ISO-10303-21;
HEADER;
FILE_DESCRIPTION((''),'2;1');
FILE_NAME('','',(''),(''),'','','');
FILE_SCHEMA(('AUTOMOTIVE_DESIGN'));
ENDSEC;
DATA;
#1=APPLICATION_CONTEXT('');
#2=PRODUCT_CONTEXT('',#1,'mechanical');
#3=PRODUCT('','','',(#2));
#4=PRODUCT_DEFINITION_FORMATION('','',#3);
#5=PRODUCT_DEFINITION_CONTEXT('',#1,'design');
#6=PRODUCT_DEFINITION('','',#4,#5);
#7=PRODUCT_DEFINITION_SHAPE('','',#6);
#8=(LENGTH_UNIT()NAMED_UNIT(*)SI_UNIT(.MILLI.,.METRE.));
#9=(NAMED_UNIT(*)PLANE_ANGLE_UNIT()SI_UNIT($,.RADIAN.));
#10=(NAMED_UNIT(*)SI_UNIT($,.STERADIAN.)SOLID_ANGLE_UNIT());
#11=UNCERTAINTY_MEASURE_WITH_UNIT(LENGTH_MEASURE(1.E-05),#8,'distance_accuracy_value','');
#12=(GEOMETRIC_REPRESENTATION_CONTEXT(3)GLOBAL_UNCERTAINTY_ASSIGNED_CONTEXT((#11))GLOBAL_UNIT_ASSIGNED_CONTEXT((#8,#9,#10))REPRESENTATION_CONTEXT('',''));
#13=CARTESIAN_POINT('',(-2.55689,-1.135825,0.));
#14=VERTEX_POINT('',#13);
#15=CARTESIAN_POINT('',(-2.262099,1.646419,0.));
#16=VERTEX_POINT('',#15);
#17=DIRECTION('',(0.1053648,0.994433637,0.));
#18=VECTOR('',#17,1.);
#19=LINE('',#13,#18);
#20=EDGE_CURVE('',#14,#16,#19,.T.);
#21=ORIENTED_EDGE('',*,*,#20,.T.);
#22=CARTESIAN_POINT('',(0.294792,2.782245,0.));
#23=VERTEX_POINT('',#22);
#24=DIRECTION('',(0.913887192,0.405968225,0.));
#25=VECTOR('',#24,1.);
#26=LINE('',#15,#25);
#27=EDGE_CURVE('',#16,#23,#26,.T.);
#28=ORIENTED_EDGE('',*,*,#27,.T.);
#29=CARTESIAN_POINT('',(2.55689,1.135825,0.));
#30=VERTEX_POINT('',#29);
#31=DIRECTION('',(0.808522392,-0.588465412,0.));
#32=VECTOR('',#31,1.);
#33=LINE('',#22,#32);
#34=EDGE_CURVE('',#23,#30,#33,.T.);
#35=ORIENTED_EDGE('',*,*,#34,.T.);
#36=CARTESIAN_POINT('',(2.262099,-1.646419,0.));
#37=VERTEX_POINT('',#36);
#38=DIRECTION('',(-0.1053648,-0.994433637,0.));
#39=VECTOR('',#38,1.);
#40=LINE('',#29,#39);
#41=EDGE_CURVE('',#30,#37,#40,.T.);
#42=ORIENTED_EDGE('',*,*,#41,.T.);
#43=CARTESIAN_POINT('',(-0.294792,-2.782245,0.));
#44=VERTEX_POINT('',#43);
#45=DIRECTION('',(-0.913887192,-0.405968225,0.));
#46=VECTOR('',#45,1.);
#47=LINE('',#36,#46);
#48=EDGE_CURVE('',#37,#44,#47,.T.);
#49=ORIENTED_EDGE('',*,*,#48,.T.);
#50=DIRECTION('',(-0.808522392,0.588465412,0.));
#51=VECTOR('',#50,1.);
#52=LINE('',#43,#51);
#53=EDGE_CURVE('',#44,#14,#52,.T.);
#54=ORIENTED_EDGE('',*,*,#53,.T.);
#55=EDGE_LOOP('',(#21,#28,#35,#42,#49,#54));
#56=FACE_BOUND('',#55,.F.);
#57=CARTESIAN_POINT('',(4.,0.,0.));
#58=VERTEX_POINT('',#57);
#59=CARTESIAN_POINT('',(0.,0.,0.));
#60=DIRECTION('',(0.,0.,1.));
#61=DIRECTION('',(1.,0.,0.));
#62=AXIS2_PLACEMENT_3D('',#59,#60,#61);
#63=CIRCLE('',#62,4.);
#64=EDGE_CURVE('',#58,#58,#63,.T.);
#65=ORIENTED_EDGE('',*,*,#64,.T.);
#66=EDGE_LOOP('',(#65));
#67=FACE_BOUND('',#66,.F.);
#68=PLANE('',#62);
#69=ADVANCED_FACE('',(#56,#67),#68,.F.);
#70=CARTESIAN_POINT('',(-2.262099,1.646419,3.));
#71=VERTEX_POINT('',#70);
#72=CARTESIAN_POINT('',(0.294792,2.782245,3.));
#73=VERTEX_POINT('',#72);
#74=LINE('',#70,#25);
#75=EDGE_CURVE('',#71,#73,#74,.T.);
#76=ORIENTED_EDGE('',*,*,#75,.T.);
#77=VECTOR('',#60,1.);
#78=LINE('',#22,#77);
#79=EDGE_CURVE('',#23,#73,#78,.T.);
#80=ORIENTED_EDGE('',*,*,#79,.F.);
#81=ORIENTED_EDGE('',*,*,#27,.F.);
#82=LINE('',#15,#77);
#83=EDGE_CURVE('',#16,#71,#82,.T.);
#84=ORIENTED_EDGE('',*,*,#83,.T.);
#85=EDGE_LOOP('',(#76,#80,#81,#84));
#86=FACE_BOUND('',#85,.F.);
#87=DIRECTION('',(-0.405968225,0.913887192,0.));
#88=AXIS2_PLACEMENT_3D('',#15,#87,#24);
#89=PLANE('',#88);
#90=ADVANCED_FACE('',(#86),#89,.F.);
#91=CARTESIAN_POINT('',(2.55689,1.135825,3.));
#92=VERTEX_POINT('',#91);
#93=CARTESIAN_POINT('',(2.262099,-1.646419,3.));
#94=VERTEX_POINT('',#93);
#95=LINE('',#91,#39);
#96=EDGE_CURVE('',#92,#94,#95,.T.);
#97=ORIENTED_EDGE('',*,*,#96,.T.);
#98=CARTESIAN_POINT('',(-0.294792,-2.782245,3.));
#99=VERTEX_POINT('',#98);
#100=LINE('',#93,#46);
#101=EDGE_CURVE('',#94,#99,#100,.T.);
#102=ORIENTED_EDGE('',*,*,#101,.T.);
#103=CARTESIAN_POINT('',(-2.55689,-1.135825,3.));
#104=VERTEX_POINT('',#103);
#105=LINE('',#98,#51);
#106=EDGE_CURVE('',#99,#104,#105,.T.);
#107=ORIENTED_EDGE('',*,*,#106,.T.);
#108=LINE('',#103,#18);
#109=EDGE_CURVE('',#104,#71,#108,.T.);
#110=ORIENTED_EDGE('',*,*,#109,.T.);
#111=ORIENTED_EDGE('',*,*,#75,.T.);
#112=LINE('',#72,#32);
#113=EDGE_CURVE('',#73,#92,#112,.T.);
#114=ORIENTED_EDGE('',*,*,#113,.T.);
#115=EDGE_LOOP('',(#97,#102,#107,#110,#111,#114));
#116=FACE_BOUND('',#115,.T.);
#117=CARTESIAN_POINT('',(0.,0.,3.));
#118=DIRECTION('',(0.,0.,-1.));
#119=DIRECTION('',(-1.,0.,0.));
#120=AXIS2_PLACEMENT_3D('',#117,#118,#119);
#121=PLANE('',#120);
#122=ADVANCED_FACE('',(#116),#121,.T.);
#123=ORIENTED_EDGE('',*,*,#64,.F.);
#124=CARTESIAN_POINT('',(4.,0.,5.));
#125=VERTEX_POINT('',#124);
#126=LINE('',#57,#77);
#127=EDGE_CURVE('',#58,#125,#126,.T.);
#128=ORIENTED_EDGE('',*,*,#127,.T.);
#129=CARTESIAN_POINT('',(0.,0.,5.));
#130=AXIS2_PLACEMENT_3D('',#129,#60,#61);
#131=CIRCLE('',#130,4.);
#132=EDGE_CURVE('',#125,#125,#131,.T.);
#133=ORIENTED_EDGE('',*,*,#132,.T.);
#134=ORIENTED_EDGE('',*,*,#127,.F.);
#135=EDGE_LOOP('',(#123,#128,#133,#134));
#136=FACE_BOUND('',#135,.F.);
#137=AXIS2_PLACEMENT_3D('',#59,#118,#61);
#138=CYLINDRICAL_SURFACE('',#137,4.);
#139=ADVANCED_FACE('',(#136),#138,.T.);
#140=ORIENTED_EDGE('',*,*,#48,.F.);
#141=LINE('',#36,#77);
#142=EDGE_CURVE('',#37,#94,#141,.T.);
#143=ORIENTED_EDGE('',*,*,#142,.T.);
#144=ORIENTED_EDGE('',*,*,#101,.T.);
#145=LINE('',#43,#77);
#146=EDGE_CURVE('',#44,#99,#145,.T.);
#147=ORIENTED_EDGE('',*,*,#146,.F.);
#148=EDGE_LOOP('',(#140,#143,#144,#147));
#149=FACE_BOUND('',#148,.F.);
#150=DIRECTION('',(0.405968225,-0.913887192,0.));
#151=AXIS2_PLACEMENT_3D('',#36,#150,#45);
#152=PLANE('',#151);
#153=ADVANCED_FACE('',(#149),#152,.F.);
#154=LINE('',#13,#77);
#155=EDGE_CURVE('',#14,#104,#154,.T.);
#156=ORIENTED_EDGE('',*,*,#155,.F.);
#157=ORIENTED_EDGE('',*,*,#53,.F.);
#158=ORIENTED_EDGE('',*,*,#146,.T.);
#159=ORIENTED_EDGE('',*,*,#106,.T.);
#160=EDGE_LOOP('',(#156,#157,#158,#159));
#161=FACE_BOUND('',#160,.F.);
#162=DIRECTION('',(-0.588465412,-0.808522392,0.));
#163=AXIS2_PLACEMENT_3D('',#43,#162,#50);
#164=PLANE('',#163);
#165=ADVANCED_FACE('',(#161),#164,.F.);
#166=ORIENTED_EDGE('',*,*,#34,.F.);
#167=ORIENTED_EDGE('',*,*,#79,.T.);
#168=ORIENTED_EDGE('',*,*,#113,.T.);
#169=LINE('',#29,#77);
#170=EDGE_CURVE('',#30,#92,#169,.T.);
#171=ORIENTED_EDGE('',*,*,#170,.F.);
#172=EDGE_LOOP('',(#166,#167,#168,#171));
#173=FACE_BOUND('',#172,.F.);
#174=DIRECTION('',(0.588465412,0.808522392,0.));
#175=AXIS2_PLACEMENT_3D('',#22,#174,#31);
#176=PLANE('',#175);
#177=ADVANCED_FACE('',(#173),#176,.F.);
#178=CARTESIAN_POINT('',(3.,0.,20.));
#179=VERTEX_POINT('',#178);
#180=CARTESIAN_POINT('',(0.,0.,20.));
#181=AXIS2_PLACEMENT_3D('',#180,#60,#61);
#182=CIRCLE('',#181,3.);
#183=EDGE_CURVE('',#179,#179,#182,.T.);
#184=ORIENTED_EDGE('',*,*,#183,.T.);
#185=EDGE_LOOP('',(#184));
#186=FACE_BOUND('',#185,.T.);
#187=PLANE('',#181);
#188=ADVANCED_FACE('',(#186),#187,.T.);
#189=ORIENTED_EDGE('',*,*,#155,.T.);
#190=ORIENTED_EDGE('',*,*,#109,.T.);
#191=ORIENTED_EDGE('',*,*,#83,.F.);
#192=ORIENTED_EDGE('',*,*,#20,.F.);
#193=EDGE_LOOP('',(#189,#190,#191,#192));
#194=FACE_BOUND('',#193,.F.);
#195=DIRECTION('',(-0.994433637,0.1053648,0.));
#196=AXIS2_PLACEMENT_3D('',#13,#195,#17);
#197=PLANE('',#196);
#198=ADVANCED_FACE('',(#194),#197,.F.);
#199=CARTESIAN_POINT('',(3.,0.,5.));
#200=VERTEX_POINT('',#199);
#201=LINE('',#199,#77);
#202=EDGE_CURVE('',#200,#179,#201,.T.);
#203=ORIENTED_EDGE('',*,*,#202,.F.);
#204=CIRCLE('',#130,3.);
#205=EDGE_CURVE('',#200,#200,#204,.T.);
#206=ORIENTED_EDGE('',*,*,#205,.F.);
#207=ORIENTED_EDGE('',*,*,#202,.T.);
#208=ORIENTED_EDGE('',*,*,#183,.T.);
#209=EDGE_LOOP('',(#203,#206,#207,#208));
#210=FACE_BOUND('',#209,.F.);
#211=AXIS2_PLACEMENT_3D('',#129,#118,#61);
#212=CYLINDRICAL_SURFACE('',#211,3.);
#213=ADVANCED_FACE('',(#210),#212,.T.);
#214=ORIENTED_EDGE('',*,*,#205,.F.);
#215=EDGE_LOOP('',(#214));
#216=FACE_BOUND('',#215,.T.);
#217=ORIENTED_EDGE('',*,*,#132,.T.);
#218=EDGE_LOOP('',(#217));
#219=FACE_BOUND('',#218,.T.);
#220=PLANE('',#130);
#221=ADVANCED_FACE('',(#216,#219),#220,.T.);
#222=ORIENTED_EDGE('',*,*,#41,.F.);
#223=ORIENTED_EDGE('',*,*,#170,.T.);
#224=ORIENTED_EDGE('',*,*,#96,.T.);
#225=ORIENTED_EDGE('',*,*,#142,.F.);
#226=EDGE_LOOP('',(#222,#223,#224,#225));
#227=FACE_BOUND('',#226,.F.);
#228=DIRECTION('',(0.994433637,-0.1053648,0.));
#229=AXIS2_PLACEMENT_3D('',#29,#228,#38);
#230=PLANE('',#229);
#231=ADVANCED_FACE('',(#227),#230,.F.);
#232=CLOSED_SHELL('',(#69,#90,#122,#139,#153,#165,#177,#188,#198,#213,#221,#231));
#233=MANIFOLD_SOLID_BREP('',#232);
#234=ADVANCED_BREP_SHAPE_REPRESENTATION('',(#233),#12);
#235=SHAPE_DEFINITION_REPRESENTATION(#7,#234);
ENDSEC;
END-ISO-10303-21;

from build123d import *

# Parameters (mm, degrees)
SKETCH1_R           = 4
BOSS_EXTRUDE1_DEPTH = 5
SKETCH2_R           = 3
BOSS_EXTRUDE2_DEPTH = 15
CUT_EXTRUDE1_DEPTH  = 3


with BuildPart() as part:
    # Sketch1 → Boss-Extrude1 (new body)
    with BuildSketch(Plane.XY):
        Circle(SKETCH1_R)
    extrude(amount=BOSS_EXTRUDE1_DEPTH)

    # Sketch2 → Boss-Extrude2 (add)
    with BuildSketch(Plane.XY.offset(5)):
        Circle(SKETCH2_R)
    extrude(amount=BOSS_EXTRUDE2_DEPTH)

    # Sketch3 → Cut-Extrude1 (cut)
    with BuildSketch(Plane(origin=(0, 0, 0), x_dir=(-1, 0, 0), z_dir=(0, 0, -1))):
        Polygon((0.294791558, -2.782244545), (2.556890234, -1.135825295), (2.262098677, 1.64641925), (-0.294791558, 2.782244545), (-2.556890234, 1.135825295), (-2.262098677, -1.64641925), align=None)
    extrude(amount=-CUT_EXTRUDE1_DEPTH, mode=Mode.SUBTRACT)


solid = part.part
